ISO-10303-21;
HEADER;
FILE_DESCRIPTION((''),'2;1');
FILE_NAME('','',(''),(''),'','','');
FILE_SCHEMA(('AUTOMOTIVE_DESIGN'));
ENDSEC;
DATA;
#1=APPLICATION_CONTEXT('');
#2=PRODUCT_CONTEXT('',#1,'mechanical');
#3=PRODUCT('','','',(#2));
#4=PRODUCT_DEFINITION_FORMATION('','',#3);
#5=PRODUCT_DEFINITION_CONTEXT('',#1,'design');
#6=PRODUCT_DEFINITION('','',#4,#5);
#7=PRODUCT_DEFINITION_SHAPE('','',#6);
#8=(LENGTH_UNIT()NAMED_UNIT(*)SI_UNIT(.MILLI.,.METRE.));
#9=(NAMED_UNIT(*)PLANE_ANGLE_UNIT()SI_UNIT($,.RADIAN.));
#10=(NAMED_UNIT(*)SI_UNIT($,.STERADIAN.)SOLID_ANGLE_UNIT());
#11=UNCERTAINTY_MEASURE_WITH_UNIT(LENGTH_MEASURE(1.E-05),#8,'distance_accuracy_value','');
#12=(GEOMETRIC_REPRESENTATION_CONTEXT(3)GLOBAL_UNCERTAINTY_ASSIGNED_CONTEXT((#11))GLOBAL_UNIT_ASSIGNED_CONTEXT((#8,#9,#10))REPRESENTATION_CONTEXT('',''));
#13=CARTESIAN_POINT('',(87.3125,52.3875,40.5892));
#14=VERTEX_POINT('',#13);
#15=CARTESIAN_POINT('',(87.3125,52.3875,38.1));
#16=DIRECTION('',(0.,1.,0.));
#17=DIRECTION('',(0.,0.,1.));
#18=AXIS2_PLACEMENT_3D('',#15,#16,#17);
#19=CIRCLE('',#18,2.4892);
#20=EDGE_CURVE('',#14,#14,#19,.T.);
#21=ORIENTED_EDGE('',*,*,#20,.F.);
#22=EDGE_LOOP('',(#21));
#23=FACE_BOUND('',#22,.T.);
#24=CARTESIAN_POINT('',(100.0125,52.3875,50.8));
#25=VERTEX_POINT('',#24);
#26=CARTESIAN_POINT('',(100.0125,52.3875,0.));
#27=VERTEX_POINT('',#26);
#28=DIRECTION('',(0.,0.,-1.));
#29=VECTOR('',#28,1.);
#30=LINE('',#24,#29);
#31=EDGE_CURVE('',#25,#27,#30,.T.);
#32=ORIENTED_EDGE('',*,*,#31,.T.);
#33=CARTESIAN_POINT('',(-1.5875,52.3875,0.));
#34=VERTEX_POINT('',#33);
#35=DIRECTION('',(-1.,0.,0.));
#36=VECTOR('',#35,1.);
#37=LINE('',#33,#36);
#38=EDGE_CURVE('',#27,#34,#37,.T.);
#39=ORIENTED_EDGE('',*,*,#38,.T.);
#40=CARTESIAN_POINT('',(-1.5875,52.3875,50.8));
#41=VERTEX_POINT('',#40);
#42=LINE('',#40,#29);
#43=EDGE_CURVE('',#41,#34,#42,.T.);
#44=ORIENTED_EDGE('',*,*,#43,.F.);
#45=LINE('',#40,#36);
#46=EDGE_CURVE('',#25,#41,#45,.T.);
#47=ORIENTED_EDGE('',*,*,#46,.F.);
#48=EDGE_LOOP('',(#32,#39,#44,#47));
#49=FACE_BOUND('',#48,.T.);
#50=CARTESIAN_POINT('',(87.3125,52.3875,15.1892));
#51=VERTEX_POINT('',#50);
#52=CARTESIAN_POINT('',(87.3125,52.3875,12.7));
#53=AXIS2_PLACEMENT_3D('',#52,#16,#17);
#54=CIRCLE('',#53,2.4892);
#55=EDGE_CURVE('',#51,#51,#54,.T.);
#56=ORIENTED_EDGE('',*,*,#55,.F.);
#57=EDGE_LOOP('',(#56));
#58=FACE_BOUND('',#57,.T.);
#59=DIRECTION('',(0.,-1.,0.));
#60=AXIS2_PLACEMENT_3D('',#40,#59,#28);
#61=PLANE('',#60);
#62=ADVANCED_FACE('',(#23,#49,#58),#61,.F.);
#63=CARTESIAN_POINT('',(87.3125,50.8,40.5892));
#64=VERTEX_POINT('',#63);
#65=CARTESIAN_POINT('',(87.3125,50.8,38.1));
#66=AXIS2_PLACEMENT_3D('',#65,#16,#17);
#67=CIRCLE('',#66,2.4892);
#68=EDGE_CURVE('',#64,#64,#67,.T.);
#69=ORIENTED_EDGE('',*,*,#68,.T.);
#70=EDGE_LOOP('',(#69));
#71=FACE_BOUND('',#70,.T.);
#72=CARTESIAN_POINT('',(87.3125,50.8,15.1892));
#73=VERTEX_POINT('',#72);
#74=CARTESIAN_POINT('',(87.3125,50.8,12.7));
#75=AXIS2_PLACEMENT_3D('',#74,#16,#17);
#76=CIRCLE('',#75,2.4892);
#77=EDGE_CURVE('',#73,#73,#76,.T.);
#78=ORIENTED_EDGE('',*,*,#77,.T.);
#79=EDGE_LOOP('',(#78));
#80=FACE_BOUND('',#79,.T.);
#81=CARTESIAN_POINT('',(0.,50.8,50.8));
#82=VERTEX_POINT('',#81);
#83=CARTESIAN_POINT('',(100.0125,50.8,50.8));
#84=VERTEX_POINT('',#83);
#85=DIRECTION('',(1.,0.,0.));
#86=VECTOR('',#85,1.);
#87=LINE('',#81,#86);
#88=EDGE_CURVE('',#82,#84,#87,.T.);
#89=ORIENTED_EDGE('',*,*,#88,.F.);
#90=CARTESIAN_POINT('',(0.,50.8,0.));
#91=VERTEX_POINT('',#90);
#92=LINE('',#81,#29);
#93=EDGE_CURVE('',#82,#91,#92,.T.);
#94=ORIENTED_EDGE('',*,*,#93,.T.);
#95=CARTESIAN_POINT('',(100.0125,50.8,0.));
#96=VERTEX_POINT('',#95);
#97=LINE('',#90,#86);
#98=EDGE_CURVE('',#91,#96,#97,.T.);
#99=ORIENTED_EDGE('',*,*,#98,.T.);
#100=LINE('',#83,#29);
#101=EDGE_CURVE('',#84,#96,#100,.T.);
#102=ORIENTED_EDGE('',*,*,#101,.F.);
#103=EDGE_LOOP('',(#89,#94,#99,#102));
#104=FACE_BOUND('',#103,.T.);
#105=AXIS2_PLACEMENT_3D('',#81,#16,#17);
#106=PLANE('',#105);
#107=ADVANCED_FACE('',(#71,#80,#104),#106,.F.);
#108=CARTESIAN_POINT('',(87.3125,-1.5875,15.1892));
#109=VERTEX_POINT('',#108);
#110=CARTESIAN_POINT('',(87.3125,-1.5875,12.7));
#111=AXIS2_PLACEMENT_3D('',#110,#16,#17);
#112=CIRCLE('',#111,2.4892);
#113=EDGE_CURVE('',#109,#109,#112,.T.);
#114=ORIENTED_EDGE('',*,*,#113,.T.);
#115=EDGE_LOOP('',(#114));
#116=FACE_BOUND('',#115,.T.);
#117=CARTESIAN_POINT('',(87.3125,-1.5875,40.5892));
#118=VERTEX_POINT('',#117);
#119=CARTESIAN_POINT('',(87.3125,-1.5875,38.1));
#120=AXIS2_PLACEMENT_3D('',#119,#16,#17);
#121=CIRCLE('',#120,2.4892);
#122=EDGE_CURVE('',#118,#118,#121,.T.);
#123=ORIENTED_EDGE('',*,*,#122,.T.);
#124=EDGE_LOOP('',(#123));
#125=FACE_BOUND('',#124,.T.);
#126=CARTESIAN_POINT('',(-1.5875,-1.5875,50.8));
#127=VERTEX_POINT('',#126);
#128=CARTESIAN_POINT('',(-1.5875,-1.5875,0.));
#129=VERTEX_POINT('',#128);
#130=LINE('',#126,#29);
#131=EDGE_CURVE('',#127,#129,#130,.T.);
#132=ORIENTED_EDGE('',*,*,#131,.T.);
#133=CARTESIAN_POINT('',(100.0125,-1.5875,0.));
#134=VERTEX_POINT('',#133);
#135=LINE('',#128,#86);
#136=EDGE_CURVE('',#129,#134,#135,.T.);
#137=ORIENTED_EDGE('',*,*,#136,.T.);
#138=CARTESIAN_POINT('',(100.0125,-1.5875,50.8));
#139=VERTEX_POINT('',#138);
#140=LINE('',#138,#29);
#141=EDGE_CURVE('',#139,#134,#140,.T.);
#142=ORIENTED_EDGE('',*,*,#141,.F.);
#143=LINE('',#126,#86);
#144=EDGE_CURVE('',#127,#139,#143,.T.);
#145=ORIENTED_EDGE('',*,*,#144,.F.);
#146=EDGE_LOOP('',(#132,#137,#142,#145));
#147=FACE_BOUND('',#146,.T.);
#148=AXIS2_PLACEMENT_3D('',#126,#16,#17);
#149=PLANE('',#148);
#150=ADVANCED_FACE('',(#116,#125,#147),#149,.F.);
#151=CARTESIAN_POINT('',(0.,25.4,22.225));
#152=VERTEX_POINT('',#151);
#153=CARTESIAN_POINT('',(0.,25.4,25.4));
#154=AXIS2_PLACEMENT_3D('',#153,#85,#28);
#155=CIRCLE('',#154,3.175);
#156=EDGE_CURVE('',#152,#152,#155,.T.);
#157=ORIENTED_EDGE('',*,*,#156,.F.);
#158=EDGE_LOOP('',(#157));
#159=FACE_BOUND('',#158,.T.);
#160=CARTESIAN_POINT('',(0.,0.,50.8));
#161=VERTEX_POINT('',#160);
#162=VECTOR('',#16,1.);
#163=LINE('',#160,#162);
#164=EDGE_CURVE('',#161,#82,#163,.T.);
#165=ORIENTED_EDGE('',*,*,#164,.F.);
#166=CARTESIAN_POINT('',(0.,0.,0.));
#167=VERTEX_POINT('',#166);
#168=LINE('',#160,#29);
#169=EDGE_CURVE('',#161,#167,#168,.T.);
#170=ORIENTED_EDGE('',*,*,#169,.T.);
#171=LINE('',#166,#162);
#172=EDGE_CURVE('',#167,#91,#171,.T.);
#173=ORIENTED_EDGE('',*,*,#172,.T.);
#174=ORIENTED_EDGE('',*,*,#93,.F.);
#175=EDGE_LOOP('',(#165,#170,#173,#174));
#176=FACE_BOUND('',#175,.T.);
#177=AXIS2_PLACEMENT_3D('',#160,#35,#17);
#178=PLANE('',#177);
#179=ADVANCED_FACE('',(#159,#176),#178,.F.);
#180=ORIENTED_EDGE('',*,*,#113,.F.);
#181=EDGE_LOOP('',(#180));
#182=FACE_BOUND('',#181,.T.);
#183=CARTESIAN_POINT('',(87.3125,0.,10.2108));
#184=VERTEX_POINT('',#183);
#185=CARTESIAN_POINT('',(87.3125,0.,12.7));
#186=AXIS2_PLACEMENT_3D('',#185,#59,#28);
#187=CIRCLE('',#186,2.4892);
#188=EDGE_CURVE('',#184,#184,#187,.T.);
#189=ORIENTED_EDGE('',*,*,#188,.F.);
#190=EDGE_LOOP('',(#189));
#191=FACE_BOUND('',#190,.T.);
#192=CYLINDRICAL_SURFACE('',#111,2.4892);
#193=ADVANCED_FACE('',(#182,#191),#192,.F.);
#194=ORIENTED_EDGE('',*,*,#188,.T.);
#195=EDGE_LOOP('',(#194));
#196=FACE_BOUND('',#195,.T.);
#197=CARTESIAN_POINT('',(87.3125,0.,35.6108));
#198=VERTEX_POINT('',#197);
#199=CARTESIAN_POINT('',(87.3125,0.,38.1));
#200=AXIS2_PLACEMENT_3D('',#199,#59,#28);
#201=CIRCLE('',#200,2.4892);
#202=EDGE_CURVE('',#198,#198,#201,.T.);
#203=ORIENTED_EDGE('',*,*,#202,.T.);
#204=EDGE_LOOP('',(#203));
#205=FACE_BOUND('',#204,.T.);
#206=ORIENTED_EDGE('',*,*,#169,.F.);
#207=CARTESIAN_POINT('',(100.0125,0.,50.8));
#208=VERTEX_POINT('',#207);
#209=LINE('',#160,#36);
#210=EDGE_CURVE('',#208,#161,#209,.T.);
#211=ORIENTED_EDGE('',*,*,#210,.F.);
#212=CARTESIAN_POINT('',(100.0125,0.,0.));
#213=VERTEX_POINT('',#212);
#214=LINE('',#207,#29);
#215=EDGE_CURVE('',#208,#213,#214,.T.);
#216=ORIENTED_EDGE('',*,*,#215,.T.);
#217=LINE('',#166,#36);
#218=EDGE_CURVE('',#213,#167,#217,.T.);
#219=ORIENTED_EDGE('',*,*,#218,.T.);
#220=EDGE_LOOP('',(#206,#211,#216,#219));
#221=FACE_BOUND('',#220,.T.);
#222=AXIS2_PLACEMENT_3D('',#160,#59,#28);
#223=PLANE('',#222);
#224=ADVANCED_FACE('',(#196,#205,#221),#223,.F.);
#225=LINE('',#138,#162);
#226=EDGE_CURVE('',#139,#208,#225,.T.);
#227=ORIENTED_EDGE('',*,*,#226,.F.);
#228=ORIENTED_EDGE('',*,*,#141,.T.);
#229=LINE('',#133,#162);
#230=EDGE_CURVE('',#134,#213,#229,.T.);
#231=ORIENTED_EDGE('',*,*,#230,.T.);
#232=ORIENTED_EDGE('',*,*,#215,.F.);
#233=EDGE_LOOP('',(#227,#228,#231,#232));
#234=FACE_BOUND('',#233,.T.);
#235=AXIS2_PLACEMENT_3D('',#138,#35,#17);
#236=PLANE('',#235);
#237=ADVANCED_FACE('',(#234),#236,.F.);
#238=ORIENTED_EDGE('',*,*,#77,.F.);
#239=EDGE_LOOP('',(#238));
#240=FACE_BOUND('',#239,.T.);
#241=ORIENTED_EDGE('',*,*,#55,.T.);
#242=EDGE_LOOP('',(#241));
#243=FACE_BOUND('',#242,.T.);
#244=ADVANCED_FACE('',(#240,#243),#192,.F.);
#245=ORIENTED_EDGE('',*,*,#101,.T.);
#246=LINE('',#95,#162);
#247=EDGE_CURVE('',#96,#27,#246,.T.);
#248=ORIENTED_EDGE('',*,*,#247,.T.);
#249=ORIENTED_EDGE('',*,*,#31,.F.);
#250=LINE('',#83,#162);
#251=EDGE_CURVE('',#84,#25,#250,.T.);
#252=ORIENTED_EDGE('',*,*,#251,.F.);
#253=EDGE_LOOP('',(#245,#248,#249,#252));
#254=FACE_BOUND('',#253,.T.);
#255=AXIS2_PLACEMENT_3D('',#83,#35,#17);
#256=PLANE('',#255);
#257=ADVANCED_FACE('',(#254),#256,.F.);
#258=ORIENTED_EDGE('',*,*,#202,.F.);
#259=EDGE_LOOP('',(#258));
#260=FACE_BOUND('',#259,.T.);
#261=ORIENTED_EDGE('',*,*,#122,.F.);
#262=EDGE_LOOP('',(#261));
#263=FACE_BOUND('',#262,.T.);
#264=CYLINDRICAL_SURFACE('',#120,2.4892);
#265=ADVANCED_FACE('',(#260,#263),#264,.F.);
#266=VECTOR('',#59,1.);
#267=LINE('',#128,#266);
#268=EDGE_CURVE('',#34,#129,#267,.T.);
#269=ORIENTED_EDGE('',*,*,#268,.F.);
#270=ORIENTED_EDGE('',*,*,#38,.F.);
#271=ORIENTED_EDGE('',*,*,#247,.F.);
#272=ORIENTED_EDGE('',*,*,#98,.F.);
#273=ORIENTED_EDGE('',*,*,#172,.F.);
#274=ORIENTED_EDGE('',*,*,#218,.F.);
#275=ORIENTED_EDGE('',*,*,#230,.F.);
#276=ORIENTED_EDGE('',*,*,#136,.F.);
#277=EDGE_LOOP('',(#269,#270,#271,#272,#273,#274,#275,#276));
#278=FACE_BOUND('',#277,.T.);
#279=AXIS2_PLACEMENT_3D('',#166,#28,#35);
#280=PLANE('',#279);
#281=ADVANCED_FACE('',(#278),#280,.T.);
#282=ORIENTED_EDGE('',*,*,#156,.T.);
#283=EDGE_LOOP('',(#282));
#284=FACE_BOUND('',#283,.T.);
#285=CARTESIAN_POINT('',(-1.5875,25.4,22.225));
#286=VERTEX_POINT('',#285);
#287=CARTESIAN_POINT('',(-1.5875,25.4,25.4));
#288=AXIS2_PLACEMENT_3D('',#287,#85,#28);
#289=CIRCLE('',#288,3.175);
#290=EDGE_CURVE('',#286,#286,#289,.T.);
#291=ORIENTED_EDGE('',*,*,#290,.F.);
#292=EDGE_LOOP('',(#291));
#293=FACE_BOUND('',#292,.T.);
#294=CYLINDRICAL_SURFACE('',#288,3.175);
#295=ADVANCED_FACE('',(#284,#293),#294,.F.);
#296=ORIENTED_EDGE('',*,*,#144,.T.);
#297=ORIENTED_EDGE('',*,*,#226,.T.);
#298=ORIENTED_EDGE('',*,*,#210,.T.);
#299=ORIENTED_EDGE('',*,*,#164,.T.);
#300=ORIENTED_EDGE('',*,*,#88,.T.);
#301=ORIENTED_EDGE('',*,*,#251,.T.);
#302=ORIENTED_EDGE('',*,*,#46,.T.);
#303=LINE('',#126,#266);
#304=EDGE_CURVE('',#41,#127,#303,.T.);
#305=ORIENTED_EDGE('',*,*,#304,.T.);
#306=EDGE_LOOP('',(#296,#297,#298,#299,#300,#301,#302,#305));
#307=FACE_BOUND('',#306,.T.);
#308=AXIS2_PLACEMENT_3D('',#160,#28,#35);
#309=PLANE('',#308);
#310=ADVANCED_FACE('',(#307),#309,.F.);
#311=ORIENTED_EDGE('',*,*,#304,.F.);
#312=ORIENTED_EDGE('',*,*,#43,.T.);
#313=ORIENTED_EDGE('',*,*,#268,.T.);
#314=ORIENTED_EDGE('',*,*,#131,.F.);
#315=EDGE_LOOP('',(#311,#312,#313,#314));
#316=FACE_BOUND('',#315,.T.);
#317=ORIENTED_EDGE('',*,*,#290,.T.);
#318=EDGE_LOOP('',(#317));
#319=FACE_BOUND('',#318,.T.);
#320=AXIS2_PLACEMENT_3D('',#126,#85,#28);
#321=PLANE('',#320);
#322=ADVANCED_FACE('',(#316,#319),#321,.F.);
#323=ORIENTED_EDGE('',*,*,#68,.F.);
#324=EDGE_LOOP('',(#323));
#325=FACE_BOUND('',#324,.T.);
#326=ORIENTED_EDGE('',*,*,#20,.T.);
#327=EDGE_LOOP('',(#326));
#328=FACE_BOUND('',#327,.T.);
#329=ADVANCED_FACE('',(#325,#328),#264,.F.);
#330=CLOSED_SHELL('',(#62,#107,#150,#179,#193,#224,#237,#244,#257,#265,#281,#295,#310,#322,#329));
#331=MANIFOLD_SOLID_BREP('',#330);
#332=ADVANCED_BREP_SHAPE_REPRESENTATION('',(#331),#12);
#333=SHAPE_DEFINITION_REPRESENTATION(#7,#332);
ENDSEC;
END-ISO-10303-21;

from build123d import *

# Parameters (mm, degrees)
BOSS_EXTRUDE1_DEPTH = 50.8
SKETCH3_R           = 2.4892
CUT_EXTRUDE1_DEPTH  = 54.975
SKETCH4_R           = 3.175
CUT_EXTRUDE2_DEPTH  = 2.5875


with BuildPart() as part:
    # Sketch2 → Boss-Extrude1 (new body)
    with BuildSketch(Plane.XY):
        Polygon((-1.5875, -1.5875), (100.0125, -1.5875), (100.0125, 0), (0, 0), (0, 50.8), (100.0125, 50.8), (100.0125, 52.3875), (-1.5875, 52.3875), align=None)
    extrude(amount=BOSS_EXTRUDE1_DEPTH)

    # Sketch3 → Cut-Extrude1 (cut, through all)
    with BuildSketch(Plane(origin=(0, 52.3875, 0), x_dir=(1, 0, 0), z_dir=(0, 1, 0))):
        with Locations((87.3125, -38.1)):
            Circle(SKETCH3_R)
        with Locations((87.3125, -12.7)):
            Circle(SKETCH3_R)
    extrude(amount=-CUT_EXTRUDE1_DEPTH, mode=Mode.SUBTRACT)

    # Sketch4 → Cut-Extrude2 (cut, through all)
    with BuildSketch(Plane(origin=(0, 0, 0), x_dir=(0, 0, -1), z_dir=(1, 0, 0))):
        with Locations((-25.4, 25.4)):
            Circle(SKETCH4_R)
    extrude(amount=-CUT_EXTRUDE2_DEPTH, mode=Mode.SUBTRACT)


solid = part.part
